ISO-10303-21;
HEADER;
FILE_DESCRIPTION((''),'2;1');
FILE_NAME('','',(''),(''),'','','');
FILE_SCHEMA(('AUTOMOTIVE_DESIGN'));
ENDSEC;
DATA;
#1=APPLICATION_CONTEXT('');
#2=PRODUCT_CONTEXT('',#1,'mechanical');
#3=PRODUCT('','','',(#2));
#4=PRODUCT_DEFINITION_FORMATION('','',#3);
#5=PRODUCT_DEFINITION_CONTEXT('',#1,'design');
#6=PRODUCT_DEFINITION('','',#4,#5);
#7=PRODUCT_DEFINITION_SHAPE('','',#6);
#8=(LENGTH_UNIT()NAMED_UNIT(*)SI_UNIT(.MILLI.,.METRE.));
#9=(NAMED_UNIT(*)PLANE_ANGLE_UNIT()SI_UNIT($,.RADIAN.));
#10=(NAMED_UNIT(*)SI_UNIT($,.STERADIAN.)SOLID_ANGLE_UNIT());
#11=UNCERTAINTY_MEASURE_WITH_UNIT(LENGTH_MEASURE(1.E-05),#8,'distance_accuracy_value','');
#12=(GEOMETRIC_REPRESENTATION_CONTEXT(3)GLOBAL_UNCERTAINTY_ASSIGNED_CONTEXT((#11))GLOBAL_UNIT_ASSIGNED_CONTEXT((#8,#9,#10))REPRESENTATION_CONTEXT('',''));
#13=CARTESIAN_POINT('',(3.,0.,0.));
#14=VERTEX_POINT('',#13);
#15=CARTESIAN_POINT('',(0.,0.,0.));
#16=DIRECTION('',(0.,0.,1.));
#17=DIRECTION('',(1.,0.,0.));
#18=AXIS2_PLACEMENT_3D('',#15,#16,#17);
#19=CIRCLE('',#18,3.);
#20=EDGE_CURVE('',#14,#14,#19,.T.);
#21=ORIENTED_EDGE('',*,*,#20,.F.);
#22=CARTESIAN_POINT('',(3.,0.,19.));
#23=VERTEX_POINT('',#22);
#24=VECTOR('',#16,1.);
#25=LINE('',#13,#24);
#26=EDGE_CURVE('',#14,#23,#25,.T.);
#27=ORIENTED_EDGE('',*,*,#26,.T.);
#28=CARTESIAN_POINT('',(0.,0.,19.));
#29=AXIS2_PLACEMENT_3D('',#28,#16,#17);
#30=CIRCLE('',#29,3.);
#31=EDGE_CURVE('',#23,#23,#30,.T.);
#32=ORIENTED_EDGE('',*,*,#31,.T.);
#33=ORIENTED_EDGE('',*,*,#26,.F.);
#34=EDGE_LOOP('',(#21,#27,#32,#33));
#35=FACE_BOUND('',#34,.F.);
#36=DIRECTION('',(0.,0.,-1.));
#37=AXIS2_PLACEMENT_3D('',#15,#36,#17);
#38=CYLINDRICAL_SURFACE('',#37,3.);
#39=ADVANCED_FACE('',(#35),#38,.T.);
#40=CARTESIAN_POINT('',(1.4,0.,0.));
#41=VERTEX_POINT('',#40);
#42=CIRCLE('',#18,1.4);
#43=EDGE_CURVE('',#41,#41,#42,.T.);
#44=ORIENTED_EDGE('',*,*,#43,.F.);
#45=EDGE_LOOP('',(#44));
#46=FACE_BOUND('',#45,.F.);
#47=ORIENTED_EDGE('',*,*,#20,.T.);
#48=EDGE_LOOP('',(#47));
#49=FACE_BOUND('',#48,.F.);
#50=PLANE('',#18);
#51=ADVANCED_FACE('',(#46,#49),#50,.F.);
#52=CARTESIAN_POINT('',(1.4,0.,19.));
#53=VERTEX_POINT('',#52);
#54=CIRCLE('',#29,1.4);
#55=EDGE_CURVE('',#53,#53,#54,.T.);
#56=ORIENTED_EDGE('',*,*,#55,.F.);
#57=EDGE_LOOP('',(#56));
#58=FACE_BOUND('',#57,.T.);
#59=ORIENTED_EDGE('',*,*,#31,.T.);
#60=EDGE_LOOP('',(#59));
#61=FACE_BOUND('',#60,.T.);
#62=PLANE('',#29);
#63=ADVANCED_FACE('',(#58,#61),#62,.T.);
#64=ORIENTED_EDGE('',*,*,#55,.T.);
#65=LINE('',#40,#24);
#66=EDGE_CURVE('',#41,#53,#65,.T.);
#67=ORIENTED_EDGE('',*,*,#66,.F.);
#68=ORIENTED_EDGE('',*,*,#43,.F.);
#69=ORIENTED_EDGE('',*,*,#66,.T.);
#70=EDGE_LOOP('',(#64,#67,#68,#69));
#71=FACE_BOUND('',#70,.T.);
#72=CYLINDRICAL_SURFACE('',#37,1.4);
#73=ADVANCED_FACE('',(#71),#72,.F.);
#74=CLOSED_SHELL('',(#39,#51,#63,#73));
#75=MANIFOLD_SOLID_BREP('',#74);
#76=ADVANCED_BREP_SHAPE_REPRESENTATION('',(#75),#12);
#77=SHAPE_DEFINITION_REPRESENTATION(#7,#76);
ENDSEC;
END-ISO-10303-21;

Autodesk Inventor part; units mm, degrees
ref_plane "YZ Plane" through (0, 0, 0) normal (1, 0, 0) x (0, 1, 0)
ref_plane "XZ Plane" through (0, 0, 0) normal (0, 1, 0) x (-1, 0, 0)
ref_plane "XY Plane" through (0, 0, 0) normal (0, 0, 1) x (1, 0, 0)
sketch "スケッチ1" plane through (0, 0, 0) normal (0, 0, 1) x (1, 0, 0)
  circle A0 centre (0, 0) radius 3
  circle A1 centre (0, 0) radius 1.4
  dimension "d0" = 6
  dimension "d1" = 2.8
extrude "押し出し1" add sketch "スケッチ1" along normal blind 19
properties part number "12mm" material "アルミニウム"
